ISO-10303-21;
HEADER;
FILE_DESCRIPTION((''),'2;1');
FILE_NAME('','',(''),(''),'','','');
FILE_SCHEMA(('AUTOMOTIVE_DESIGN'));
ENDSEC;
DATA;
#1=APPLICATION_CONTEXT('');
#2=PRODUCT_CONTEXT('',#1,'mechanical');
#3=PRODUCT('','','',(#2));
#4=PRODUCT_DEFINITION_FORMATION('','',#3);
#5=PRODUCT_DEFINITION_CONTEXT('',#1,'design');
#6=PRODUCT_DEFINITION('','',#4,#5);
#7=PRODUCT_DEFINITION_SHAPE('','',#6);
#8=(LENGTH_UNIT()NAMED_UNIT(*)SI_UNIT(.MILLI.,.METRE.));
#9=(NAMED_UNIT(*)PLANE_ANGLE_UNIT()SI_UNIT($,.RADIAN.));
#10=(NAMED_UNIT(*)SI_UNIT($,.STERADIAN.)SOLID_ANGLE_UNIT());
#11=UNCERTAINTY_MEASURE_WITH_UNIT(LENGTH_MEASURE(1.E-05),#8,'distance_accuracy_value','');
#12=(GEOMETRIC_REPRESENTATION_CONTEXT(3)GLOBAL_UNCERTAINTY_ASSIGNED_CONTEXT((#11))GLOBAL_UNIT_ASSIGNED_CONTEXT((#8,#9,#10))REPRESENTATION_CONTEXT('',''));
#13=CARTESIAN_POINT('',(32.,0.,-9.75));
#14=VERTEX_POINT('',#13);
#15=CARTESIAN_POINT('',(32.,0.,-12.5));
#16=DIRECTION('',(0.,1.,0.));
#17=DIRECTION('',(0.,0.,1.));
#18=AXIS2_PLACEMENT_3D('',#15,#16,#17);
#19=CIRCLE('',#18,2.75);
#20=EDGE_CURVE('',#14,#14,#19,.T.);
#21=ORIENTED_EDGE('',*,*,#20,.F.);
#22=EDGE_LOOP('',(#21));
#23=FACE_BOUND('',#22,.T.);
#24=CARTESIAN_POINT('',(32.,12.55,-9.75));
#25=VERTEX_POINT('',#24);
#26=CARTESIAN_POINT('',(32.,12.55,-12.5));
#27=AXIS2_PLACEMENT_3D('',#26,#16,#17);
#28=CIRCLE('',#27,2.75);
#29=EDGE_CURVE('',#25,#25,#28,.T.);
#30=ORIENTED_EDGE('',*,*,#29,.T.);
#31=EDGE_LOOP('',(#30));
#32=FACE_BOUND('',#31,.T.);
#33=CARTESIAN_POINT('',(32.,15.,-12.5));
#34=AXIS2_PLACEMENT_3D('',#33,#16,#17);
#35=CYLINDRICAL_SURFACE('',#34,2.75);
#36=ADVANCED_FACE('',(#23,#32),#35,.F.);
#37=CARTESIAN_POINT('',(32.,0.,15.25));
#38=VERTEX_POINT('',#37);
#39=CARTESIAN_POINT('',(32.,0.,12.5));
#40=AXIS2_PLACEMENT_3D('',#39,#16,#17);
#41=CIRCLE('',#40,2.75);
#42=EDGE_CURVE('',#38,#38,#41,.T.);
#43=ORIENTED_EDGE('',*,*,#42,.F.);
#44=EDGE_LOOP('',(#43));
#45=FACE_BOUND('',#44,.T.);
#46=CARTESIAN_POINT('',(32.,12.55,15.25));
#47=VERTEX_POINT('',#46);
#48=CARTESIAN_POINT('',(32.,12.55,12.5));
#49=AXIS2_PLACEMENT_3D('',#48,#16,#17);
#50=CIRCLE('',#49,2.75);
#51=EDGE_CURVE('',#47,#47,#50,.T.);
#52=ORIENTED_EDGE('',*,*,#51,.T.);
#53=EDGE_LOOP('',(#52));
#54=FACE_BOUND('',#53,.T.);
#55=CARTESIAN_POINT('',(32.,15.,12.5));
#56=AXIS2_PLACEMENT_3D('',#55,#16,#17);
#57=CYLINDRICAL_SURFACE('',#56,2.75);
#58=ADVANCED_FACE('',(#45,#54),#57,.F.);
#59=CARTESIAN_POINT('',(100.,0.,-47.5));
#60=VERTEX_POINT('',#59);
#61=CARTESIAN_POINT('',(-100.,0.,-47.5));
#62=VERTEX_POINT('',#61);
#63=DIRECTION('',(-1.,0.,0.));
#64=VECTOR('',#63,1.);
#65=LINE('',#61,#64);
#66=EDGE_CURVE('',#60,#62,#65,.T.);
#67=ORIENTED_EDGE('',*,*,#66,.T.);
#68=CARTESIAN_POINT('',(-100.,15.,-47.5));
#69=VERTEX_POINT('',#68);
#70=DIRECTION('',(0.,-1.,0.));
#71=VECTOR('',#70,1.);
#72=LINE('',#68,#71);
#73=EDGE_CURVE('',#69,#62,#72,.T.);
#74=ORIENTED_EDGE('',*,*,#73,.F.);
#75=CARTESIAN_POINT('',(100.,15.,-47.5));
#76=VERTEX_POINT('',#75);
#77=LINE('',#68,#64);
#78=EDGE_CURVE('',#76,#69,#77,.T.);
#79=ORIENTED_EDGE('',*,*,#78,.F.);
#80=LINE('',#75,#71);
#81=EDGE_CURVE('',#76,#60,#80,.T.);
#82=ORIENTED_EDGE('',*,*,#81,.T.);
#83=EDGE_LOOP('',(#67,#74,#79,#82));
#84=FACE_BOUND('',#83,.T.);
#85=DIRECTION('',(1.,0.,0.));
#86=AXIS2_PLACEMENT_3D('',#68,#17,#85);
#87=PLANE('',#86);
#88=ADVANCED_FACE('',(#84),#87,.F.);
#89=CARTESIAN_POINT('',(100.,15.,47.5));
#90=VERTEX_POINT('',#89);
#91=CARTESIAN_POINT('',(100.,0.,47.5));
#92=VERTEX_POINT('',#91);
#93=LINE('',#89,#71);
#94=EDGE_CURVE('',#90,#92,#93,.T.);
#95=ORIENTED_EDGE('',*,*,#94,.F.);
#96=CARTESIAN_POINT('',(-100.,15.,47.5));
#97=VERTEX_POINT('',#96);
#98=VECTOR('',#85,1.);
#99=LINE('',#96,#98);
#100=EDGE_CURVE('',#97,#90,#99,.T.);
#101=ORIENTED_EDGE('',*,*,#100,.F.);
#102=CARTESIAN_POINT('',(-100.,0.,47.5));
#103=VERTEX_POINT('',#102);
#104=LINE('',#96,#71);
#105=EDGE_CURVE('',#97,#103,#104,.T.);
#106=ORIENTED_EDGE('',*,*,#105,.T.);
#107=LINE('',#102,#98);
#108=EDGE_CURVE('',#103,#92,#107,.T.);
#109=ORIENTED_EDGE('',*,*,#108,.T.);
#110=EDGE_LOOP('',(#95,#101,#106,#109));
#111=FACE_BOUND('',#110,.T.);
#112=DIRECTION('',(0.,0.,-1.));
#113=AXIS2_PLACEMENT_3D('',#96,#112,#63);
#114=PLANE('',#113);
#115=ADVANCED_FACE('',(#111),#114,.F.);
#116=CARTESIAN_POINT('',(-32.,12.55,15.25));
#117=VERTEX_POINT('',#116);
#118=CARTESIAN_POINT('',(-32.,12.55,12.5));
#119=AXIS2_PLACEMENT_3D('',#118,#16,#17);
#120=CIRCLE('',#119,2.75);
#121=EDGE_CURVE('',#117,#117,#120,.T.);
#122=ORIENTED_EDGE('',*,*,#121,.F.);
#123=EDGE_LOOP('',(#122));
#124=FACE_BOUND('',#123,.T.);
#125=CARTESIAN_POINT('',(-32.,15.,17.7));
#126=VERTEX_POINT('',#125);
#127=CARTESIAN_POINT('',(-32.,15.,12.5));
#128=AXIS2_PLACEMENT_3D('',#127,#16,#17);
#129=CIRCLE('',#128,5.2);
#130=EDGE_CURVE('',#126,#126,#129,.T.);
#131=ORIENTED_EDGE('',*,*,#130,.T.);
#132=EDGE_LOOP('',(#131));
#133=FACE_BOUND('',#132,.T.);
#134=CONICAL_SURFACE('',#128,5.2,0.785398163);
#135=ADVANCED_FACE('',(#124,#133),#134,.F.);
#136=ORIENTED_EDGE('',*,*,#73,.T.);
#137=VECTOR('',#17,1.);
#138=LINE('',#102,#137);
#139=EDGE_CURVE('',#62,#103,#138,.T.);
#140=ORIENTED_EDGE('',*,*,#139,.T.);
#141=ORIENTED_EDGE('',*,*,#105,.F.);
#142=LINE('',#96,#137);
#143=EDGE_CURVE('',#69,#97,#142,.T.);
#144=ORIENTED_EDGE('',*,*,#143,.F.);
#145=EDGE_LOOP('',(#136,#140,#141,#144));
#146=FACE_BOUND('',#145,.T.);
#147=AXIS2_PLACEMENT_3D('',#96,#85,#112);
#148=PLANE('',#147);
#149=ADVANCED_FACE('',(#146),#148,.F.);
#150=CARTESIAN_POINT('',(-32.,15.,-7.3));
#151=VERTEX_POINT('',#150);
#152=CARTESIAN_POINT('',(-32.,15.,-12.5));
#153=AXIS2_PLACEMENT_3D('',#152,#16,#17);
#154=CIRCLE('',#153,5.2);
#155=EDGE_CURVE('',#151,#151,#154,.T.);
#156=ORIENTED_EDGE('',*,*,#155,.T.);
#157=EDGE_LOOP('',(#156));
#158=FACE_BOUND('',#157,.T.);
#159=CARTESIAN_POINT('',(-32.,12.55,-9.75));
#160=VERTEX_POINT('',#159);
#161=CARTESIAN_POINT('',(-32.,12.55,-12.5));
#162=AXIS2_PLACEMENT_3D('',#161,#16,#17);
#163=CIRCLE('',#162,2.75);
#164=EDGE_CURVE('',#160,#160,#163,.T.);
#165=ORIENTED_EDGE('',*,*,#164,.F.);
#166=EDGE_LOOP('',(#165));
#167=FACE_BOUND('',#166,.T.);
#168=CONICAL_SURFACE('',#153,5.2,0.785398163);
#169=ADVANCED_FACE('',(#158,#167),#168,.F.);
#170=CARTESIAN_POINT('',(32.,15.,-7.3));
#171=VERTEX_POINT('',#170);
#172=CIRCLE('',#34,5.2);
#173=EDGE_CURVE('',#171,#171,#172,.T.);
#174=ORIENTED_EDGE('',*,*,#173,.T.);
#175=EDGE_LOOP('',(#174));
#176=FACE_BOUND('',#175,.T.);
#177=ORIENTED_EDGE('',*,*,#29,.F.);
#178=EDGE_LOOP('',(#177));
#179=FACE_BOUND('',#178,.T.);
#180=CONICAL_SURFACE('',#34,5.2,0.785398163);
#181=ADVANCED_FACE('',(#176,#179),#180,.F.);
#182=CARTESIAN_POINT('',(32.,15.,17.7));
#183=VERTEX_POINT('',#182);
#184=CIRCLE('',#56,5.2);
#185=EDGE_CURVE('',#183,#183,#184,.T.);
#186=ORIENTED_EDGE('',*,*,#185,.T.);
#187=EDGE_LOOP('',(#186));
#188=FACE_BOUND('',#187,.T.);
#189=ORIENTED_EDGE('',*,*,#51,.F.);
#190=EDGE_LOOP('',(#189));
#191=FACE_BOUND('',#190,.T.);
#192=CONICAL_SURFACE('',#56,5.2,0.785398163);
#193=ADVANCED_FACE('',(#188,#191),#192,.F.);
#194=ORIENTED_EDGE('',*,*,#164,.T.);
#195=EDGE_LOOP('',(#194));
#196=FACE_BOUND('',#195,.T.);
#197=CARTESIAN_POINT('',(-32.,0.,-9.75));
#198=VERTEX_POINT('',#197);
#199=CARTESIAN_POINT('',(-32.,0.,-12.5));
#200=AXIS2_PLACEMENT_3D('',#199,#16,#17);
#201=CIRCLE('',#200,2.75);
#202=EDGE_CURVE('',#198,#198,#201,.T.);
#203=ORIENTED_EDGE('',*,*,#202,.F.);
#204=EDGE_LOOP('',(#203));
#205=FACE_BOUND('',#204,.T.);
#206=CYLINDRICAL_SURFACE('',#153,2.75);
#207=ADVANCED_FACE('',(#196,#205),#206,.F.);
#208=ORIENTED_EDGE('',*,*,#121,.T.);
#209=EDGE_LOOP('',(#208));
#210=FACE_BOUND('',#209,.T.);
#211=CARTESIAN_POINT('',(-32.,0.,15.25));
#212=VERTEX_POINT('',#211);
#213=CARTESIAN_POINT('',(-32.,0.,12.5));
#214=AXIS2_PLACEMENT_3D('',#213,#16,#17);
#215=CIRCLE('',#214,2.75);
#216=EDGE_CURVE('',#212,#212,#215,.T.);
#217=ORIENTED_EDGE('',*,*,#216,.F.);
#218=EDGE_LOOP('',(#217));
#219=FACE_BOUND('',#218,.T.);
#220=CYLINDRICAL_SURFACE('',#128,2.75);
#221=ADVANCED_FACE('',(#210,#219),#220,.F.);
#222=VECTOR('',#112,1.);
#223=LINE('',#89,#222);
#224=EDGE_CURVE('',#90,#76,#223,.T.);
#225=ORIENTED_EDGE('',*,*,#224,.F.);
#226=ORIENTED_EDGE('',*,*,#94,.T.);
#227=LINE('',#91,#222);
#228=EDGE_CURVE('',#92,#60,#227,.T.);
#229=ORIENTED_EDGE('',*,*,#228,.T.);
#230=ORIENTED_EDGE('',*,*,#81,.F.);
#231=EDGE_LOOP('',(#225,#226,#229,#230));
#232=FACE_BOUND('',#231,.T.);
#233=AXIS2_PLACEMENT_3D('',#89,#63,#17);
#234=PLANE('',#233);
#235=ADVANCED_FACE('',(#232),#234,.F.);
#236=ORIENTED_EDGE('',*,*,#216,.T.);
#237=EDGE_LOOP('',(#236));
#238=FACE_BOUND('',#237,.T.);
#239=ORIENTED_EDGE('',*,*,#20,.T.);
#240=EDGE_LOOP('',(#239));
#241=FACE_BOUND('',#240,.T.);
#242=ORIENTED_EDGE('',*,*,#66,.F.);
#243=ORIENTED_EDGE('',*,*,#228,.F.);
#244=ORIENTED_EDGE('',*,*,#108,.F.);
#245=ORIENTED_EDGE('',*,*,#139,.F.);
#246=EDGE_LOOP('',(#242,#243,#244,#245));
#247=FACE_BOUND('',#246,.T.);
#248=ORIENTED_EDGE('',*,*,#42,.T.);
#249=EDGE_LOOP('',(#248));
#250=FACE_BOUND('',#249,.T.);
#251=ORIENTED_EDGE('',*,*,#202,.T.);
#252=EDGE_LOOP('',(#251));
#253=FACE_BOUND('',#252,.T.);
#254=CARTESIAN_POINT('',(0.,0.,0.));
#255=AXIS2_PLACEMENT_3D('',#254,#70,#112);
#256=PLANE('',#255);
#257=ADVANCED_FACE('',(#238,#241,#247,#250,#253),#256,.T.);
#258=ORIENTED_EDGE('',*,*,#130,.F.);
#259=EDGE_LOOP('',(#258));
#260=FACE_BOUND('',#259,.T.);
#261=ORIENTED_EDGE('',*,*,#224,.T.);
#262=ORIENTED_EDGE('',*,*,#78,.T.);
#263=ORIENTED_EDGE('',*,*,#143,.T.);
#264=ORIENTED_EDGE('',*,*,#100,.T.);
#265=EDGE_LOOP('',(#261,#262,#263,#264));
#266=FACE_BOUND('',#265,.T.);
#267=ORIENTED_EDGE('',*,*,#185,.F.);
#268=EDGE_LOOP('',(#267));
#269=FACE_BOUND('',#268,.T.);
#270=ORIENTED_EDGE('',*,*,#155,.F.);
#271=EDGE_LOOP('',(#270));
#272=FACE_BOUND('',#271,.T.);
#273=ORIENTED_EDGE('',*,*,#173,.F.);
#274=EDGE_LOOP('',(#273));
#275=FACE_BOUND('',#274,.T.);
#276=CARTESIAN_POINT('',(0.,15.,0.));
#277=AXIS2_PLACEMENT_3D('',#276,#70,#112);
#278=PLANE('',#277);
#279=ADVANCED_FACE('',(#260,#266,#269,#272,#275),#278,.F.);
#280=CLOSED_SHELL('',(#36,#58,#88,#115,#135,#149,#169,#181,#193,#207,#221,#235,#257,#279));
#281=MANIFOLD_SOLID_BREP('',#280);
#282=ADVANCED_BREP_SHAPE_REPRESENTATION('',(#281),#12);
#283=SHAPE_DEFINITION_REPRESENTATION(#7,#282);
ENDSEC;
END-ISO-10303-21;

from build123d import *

# Parameters (mm, degrees)
SKETCH1_W                                            = 200
SKETCH1_H                                            = 95
BOSS_EXTRUDE1_DEPTH                                  = 15
CSK_FOR_M5_CROSS_RECESS_FLAT_HEAD_SCREW2_D           = 5.5
CSK_FOR_M5_CROSS_RECESS_FLAT_HEAD_SCREW2_CSINK_D     = 10.4
CSK_FOR_M5_CROSS_RECESS_FLAT_HEAD_SCREW2_CSINK_ANGLE = 90


with BuildPart() as part:
    # Sketch1 → Boss-Extrude1 (new body)
    with BuildSketch(Plane(origin=(0, 0, 0), x_dir=(1, 0, 0), z_dir=(0, 1, 0))):
        Rectangle(SKETCH1_W, SKETCH1_H)
    extrude(amount=BOSS_EXTRUDE1_DEPTH)

    # CSK for M5 Cross Recess Flat Head Screw2 (through all)
    with Locations(Plane(origin=(0, 15, 0), x_dir=(1, 0, 0), z_dir=(0, 1, 0))):
        with Locations((32, 12.5), (32, -12.5), (-32, -12.5), (-32, 12.5)):
            CounterSinkHole(CSK_FOR_M5_CROSS_RECESS_FLAT_HEAD_SCREW2_D / 2, CSK_FOR_M5_CROSS_RECESS_FLAT_HEAD_SCREW2_CSINK_D / 2, counter_sink_angle=CSK_FOR_M5_CROSS_RECESS_FLAT_HEAD_SCREW2_CSINK_ANGLE)


solid = part.part
